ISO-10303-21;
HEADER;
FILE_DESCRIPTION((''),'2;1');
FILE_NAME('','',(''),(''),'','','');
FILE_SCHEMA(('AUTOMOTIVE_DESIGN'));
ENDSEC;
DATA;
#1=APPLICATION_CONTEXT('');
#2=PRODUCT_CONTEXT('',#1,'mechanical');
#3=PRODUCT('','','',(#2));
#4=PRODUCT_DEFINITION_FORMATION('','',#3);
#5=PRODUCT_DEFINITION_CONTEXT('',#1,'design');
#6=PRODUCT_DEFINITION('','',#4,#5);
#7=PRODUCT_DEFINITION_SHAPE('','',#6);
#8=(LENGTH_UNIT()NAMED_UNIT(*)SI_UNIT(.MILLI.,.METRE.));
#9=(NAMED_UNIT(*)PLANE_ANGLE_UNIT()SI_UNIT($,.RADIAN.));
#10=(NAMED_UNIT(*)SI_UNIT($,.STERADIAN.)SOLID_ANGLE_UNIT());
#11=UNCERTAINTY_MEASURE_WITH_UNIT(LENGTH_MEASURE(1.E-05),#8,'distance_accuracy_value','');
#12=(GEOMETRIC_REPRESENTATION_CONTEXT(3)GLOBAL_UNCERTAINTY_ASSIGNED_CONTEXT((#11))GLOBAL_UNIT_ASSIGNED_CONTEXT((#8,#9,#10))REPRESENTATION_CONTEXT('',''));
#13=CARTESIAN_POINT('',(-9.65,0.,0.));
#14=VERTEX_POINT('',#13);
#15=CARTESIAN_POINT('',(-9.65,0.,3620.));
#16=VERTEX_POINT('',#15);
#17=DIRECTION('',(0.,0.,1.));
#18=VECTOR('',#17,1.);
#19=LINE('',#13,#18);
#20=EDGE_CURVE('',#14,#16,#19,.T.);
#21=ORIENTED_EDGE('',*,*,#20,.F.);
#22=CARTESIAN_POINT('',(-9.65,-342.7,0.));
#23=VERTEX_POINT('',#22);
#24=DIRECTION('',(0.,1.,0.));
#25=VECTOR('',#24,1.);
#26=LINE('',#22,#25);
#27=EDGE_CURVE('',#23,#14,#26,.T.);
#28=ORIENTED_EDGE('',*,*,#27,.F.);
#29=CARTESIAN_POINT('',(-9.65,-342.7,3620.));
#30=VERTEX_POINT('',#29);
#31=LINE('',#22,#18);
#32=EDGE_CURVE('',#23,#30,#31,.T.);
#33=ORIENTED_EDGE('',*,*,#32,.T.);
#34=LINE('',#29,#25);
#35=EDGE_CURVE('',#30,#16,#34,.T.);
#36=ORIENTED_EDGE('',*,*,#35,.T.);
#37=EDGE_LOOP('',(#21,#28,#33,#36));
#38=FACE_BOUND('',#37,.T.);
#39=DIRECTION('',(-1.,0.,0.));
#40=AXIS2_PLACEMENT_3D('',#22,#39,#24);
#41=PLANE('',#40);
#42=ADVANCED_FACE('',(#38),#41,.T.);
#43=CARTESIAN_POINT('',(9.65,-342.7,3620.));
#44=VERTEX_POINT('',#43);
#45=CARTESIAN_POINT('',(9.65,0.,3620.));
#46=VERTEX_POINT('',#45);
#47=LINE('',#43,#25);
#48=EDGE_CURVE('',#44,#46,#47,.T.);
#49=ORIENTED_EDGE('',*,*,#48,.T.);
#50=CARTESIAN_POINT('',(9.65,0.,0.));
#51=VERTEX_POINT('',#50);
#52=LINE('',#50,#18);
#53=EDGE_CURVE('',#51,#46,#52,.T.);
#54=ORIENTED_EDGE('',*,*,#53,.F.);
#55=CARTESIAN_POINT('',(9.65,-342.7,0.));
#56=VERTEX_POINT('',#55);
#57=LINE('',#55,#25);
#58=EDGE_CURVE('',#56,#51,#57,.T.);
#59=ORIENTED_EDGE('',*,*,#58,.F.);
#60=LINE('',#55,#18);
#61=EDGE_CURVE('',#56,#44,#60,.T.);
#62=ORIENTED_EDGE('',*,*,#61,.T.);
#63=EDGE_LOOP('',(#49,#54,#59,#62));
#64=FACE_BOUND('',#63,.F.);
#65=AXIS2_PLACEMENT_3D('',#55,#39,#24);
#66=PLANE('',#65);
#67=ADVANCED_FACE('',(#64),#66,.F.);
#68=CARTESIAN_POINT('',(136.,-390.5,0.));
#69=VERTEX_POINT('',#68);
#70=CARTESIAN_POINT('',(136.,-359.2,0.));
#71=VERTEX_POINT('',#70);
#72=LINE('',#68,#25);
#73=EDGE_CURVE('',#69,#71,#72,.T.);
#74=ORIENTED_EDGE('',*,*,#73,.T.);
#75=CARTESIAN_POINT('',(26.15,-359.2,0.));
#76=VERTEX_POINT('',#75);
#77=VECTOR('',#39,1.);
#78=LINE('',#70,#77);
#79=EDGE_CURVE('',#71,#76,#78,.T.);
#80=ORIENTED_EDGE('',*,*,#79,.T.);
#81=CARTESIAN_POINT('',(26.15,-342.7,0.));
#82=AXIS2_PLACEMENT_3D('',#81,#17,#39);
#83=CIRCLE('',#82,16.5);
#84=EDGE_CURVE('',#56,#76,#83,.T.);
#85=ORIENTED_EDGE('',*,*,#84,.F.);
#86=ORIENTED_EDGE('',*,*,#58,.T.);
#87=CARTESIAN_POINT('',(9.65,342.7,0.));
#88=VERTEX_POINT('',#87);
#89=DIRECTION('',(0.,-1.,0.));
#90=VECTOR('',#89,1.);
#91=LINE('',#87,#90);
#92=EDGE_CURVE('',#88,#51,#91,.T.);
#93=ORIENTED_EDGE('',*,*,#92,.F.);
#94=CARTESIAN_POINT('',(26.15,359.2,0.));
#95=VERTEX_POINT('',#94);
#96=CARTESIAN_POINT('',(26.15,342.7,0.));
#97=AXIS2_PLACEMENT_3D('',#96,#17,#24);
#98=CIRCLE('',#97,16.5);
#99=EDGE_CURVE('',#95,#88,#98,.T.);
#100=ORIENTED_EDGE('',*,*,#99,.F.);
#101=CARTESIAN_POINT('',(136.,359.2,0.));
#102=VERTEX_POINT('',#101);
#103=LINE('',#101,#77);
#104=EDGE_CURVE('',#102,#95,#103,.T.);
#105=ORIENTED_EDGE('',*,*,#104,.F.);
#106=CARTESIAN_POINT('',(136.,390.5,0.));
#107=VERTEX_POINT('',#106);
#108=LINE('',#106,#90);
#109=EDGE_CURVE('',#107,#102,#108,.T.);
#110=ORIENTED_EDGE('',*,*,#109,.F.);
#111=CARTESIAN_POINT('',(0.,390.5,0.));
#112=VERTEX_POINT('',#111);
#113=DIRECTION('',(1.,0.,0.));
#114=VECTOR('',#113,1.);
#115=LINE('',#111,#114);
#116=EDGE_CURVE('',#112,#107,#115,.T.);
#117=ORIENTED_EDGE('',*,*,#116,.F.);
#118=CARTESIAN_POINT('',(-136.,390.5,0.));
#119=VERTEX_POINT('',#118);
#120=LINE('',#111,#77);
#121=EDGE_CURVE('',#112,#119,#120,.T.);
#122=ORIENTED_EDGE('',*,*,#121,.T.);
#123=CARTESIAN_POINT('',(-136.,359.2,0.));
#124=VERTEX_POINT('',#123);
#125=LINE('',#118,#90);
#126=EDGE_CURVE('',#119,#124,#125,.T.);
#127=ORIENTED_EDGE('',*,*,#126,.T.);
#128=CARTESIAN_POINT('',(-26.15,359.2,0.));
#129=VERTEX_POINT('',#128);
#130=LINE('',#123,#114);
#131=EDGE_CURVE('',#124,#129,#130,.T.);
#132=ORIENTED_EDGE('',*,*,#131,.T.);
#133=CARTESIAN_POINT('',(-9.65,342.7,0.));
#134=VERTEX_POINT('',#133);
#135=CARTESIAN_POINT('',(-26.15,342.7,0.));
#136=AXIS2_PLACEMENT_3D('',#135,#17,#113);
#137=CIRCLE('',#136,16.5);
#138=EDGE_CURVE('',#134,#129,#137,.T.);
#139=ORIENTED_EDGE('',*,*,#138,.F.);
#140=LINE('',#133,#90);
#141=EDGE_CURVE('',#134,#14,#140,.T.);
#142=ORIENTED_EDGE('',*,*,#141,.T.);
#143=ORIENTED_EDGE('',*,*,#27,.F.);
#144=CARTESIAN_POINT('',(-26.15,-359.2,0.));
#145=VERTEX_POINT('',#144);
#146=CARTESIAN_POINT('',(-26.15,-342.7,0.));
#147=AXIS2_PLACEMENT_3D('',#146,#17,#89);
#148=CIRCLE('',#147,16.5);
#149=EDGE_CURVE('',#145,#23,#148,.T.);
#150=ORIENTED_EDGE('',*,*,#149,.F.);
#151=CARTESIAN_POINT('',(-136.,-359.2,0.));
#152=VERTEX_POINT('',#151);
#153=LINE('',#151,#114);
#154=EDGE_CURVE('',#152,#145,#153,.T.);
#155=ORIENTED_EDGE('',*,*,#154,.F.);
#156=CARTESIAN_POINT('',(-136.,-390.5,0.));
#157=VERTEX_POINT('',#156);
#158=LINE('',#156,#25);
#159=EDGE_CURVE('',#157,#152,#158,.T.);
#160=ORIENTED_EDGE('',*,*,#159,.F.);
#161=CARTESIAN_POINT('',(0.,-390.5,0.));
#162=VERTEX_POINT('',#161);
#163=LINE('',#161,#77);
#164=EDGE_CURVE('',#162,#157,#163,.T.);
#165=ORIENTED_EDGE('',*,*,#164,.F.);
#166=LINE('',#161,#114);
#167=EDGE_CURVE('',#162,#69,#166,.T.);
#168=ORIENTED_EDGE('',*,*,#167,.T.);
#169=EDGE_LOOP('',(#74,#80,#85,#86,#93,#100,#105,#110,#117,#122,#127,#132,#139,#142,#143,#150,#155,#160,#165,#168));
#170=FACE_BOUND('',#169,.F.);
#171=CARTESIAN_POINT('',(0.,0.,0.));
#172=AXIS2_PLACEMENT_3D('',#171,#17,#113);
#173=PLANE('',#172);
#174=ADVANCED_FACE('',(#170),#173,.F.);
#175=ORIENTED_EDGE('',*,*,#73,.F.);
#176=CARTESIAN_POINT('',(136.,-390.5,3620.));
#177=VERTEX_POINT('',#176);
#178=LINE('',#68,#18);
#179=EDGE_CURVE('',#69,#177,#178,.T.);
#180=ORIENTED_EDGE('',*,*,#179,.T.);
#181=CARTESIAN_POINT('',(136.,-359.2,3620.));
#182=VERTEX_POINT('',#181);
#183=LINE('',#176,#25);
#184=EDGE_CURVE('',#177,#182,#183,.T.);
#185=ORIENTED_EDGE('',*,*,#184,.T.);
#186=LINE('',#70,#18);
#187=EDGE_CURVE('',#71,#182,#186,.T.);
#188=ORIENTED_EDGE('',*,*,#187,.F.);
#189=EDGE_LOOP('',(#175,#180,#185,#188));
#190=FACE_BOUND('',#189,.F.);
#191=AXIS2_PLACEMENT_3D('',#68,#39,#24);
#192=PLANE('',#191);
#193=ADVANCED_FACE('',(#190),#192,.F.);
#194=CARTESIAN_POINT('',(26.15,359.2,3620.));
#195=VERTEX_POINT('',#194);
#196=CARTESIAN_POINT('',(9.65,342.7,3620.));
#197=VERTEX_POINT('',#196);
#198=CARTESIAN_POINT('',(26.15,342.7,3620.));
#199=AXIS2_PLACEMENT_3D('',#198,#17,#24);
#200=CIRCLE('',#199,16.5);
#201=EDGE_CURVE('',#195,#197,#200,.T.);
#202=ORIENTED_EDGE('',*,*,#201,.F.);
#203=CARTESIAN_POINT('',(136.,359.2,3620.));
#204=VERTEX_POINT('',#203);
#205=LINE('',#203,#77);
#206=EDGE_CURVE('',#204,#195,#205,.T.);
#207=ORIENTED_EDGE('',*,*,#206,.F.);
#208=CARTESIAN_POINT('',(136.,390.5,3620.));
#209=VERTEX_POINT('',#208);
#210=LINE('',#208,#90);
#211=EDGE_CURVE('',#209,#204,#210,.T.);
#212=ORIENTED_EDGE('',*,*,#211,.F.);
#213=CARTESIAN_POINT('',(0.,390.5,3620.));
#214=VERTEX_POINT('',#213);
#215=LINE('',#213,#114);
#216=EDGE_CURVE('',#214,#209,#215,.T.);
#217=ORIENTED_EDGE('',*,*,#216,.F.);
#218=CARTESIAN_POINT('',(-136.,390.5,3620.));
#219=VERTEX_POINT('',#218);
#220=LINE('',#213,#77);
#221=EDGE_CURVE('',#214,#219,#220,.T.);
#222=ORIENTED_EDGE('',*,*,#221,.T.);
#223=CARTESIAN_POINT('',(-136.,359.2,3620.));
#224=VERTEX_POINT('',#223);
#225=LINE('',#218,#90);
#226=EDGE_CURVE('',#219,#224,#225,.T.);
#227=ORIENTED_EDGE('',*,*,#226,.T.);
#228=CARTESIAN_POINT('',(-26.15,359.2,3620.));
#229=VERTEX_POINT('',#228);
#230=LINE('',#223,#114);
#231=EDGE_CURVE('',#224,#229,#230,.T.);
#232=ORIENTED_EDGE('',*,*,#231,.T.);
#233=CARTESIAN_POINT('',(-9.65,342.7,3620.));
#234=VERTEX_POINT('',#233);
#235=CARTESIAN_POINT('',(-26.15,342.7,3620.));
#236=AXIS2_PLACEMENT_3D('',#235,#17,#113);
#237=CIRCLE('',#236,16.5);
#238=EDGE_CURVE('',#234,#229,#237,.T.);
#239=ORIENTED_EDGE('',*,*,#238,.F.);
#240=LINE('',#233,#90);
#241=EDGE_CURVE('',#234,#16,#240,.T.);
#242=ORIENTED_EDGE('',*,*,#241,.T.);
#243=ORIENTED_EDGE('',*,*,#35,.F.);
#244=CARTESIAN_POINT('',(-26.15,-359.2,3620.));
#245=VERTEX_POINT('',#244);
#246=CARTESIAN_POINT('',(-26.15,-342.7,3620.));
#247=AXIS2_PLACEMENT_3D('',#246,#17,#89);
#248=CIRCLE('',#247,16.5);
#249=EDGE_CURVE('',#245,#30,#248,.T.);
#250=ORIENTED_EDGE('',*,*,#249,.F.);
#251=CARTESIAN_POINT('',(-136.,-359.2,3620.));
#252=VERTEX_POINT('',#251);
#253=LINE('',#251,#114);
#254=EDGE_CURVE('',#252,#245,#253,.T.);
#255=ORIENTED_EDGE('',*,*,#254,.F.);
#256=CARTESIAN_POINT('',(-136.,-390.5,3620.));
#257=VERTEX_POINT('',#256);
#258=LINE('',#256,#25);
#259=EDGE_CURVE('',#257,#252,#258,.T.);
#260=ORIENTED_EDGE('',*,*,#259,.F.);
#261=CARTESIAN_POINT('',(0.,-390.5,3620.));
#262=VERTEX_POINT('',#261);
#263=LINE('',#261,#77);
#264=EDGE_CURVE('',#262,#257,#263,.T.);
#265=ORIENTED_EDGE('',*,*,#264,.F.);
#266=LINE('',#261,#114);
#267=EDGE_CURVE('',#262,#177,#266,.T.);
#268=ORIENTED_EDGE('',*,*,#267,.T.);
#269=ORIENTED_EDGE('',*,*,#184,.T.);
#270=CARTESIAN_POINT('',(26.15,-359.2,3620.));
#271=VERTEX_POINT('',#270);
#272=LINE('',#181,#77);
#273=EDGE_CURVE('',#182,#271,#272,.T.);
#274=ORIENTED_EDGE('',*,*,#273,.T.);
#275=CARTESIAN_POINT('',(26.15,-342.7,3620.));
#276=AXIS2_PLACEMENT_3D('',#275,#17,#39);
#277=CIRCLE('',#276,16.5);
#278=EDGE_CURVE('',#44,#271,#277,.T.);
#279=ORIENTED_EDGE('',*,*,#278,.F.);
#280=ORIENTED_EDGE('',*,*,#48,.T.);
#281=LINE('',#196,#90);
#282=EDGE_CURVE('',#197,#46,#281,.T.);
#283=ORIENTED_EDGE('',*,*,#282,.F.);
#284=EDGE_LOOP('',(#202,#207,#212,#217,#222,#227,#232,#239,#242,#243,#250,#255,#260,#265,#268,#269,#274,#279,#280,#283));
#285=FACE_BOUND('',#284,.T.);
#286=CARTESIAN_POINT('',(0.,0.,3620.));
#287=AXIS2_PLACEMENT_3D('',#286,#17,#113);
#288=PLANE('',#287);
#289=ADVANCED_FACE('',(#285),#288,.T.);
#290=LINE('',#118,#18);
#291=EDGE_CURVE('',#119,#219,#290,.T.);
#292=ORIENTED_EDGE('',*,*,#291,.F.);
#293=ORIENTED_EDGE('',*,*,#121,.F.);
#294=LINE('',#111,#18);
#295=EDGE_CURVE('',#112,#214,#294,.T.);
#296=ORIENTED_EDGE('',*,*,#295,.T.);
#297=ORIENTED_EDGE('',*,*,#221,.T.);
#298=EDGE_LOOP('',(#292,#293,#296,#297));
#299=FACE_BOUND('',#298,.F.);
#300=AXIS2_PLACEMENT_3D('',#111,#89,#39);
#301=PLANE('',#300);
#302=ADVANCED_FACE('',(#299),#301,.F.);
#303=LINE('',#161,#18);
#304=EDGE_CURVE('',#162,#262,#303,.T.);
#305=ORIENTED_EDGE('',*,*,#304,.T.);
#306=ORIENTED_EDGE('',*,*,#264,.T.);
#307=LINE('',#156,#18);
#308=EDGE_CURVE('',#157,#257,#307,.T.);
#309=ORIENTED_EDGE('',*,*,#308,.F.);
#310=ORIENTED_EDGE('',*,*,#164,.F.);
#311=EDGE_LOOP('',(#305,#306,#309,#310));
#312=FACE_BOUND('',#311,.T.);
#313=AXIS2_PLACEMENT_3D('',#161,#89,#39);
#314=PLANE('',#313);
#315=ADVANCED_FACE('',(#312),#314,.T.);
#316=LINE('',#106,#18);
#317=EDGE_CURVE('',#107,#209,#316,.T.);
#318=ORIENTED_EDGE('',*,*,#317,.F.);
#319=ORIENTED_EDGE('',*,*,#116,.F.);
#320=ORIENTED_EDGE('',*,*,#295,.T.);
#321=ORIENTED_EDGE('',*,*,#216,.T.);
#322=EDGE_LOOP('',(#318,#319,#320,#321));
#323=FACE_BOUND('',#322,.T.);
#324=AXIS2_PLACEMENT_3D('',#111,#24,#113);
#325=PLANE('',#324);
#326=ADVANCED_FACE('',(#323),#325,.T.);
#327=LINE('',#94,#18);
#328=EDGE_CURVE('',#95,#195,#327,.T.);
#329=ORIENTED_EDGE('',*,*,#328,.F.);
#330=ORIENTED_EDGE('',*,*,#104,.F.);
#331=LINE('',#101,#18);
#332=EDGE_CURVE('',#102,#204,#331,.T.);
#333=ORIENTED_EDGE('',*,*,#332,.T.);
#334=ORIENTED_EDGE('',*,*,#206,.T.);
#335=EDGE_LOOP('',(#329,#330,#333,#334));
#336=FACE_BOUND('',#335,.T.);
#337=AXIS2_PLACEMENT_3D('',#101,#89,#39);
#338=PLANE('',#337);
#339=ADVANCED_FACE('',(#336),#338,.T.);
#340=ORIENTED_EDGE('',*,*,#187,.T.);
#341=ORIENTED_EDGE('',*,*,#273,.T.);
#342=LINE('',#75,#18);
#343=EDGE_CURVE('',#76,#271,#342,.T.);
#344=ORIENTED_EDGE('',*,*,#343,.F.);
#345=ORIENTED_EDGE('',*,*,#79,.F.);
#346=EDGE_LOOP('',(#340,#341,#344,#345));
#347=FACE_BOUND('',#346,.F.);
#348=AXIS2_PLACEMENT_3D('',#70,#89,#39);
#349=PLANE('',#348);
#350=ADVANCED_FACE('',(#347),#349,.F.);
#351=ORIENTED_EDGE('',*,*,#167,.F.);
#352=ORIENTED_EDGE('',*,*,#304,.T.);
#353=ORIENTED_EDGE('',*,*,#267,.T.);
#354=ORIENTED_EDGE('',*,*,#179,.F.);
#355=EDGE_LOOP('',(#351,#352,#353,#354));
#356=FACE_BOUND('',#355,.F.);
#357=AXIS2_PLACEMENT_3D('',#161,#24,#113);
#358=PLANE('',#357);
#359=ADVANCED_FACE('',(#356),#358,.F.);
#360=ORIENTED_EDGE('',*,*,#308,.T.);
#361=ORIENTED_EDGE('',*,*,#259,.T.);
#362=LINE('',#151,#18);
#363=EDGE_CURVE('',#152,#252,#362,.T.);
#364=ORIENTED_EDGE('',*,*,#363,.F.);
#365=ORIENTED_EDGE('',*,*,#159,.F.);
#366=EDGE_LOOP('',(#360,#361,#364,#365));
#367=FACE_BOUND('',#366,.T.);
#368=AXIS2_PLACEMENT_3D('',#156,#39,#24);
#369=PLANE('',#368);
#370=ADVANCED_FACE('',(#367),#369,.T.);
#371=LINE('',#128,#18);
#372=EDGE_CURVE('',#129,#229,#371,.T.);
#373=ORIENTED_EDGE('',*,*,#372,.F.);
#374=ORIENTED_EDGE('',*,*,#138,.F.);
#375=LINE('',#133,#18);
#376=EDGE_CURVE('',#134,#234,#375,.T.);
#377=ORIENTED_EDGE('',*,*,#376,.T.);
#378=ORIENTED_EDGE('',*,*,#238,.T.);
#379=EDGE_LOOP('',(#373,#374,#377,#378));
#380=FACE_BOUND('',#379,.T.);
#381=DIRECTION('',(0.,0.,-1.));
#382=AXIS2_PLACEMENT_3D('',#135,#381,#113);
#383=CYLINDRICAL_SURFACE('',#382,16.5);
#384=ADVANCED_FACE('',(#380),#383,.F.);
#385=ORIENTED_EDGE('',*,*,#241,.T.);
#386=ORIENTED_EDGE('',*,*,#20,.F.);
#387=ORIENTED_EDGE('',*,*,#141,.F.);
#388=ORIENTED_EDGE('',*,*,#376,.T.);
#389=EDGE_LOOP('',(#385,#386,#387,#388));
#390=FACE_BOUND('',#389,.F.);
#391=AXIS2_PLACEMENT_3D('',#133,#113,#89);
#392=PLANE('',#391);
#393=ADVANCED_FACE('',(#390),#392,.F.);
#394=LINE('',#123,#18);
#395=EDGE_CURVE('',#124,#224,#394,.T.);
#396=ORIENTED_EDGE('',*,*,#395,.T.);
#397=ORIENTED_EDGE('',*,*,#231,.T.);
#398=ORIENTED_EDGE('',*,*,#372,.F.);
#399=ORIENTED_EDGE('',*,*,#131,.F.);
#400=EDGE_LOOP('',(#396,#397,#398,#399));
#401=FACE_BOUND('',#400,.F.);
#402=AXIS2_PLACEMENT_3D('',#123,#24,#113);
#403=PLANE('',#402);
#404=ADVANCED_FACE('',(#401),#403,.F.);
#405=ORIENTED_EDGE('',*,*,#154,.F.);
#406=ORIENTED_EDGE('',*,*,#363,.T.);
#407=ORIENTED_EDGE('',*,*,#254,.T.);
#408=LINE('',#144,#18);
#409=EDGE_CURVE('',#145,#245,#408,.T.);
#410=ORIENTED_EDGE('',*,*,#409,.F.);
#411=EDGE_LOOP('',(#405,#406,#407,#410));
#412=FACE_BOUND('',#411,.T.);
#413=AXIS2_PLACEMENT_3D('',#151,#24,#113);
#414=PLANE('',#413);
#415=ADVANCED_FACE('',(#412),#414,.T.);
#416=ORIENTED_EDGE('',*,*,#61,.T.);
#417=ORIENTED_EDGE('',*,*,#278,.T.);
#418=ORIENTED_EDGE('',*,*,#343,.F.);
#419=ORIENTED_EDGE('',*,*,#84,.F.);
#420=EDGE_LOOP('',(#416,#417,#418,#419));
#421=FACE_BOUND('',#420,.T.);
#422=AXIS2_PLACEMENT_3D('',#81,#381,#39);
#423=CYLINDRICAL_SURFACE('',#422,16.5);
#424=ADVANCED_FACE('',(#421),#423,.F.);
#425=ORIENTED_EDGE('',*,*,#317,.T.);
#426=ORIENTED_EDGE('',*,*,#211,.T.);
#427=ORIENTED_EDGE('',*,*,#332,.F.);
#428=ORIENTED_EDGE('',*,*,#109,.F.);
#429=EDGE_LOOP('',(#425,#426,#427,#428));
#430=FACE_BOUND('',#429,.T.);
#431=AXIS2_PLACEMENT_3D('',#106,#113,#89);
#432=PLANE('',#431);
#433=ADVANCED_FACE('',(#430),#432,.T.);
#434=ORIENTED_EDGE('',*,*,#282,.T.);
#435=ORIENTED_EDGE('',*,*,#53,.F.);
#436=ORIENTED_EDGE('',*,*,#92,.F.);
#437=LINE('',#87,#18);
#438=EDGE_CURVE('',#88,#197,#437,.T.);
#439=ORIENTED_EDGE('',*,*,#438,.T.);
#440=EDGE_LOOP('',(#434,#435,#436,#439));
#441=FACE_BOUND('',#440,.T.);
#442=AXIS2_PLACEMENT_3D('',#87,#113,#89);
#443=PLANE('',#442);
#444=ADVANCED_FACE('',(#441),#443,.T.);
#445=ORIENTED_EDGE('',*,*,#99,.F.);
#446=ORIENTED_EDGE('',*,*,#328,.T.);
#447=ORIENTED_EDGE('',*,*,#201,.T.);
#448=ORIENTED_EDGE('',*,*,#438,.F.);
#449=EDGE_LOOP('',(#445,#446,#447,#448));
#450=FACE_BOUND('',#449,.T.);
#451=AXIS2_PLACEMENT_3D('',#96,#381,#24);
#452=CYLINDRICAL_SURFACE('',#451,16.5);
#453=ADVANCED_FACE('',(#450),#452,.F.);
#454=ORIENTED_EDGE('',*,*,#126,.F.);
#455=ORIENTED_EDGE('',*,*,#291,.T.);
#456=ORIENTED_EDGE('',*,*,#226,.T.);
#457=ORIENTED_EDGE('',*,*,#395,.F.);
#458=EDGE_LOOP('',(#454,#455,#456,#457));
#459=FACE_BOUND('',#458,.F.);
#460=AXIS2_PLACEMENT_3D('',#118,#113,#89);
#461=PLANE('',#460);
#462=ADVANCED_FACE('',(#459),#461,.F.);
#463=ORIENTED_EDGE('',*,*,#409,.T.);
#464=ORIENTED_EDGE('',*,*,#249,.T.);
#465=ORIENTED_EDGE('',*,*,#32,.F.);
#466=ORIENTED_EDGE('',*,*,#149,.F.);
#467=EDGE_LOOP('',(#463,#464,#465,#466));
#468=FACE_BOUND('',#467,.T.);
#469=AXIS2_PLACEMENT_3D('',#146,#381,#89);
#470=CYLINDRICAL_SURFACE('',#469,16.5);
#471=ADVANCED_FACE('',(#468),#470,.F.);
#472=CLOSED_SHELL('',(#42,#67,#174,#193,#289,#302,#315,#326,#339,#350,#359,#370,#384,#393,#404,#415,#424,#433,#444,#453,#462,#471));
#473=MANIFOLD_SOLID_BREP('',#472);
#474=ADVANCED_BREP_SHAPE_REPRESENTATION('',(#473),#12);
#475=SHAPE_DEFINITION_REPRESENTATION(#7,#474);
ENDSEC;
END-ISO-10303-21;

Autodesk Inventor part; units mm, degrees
ref_plane "YZ Plane" through (0, 0, 0) normal (1, 0, 0) x (0, 1, 0)
ref_plane "Start plane" through (0, 0, 0) normal (0, 0, 1) x (1, 0, 0)
ref_plane "End plane" through (0, 0, 3620) normal (0, 0, 1) x (1, 0, 0)
sketch "Sketch" plane through (0, 0, 0) normal (0, 0, 1) x (1, 0, 0)
  line L0 (-136, -390.5) -> (-136, -359.2)
  line L1 (-136, -359.2) -> (-26.15, -359.2)
  line L2 (-9.65, -342.7) -> (-9.65, 0)
  line L3 (-9.65, 0) -> (0, 0) construction
  line L4 (0, 0) -> (0, -390.5) construction
  line L5 (0, -390.5) -> (-136, -390.5)
  line L6 (-60, 0) -> (80, 0) construction
  line L7 (0, -60) -> (0, 80) construction
  line L8 (136, -390.5) -> (136, -359.2)
  line L9 (136, -359.2) -> (26.15, -359.2)
  line L10 (9.65, -342.7) -> (9.65, 0)
  line L11 (9.65, 0) -> (0, 0) construction
  line L12 (0, -390.5) -> (136, -390.5)
  line L13 (-136, 390.5) -> (-136, 359.2)
  line L14 (-136, 359.2) -> (-26.15, 359.2)
  line L15 (-9.65, 342.7) -> (-9.65, 0)
  line L16 (0, 390.5) -> (-136, 390.5)
  line L17 (136, 390.5) -> (136, 359.2)
  line L18 (136, 359.2) -> (26.15, 359.2)
  line L19 (0, 390.5) -> (136, 390.5)
  line L20 (9.65, 342.7) -> (9.65, 0)
  arc A0 (-9.65, 342.7) -> (-26.15, 359.2) centre (-26.15, 342.7) ccw
  arc A1 (26.15, 359.2) -> (9.65, 342.7) centre (26.15, 342.7) ccw
  arc A2 (9.65, -342.7) -> (26.15, -359.2) centre (26.15, -342.7) ccw
  arc A3 (-26.15, -359.2) -> (-9.65, -342.7) centre (-26.15, -342.7) ccw
  line L21 (0, 108) -> (0, -88) construction
  line L22 (-88, 0) -> (108, 0) construction
  point P0 (-9.65, -359.2)
  point P1 (9.65, -359.2)
  point P2 (-9.65, 359.2)
  point P3 (9.65, 359.2)
  dimension "d1" = 390.5
  dimension "d2" = 31.3
  dimension "d3" = 136
  dimension "d4" = 9.65
  dimension "d10" = 16.5
extrude "Body" add sketch "Sketch" along normal up to surface (3620 mm away) from surface at 0
sketch "Sketch4" plane through (0, 0, 0) normal (0, 0, 1) x (1, 0, 0)
  line L0 (0, 0) -> (10, 0)
ref_plane "Work Plane3" through (0, 0, 0) normal (0, -1, 0) x (1, 0, 0)
sketch "Sketch5" plane through (0, 0, 0) normal (0, -1, 0) x (1, 0, 0)
  line L0 (-2, 0) -> (12, 0) projected
  line L1 (-2, 3620) -> (12, 3620) projected
  dimension "d14" = 3620
equation "\"d1\" = 0.5 * G_H"
equation "\"d2\" = G_T1"
equation "\"d3\" = 0.5 * G_W"
equation "\"d4\" = 0.5 * G_T"
equation "\"d10\" = G_IR"
equation "\"d5\" = G_L"
equation "\"G_W\" = 272"
equation "\"G_H\" = 781"
equation "\"G_T\" = 19.3"
equation "\"G_T1\" = 31.3"
equation "\"G_IR\" = 16.5"
equation "\"G_L\" = d14"
equation "\"G_OFFSET_START\" = 0"
equation "\"G_OFFSET_END\" = 0"
properties part number "AS 3679-1990 - 760 UB - 244 - 3620" material "Steel, Mild"
